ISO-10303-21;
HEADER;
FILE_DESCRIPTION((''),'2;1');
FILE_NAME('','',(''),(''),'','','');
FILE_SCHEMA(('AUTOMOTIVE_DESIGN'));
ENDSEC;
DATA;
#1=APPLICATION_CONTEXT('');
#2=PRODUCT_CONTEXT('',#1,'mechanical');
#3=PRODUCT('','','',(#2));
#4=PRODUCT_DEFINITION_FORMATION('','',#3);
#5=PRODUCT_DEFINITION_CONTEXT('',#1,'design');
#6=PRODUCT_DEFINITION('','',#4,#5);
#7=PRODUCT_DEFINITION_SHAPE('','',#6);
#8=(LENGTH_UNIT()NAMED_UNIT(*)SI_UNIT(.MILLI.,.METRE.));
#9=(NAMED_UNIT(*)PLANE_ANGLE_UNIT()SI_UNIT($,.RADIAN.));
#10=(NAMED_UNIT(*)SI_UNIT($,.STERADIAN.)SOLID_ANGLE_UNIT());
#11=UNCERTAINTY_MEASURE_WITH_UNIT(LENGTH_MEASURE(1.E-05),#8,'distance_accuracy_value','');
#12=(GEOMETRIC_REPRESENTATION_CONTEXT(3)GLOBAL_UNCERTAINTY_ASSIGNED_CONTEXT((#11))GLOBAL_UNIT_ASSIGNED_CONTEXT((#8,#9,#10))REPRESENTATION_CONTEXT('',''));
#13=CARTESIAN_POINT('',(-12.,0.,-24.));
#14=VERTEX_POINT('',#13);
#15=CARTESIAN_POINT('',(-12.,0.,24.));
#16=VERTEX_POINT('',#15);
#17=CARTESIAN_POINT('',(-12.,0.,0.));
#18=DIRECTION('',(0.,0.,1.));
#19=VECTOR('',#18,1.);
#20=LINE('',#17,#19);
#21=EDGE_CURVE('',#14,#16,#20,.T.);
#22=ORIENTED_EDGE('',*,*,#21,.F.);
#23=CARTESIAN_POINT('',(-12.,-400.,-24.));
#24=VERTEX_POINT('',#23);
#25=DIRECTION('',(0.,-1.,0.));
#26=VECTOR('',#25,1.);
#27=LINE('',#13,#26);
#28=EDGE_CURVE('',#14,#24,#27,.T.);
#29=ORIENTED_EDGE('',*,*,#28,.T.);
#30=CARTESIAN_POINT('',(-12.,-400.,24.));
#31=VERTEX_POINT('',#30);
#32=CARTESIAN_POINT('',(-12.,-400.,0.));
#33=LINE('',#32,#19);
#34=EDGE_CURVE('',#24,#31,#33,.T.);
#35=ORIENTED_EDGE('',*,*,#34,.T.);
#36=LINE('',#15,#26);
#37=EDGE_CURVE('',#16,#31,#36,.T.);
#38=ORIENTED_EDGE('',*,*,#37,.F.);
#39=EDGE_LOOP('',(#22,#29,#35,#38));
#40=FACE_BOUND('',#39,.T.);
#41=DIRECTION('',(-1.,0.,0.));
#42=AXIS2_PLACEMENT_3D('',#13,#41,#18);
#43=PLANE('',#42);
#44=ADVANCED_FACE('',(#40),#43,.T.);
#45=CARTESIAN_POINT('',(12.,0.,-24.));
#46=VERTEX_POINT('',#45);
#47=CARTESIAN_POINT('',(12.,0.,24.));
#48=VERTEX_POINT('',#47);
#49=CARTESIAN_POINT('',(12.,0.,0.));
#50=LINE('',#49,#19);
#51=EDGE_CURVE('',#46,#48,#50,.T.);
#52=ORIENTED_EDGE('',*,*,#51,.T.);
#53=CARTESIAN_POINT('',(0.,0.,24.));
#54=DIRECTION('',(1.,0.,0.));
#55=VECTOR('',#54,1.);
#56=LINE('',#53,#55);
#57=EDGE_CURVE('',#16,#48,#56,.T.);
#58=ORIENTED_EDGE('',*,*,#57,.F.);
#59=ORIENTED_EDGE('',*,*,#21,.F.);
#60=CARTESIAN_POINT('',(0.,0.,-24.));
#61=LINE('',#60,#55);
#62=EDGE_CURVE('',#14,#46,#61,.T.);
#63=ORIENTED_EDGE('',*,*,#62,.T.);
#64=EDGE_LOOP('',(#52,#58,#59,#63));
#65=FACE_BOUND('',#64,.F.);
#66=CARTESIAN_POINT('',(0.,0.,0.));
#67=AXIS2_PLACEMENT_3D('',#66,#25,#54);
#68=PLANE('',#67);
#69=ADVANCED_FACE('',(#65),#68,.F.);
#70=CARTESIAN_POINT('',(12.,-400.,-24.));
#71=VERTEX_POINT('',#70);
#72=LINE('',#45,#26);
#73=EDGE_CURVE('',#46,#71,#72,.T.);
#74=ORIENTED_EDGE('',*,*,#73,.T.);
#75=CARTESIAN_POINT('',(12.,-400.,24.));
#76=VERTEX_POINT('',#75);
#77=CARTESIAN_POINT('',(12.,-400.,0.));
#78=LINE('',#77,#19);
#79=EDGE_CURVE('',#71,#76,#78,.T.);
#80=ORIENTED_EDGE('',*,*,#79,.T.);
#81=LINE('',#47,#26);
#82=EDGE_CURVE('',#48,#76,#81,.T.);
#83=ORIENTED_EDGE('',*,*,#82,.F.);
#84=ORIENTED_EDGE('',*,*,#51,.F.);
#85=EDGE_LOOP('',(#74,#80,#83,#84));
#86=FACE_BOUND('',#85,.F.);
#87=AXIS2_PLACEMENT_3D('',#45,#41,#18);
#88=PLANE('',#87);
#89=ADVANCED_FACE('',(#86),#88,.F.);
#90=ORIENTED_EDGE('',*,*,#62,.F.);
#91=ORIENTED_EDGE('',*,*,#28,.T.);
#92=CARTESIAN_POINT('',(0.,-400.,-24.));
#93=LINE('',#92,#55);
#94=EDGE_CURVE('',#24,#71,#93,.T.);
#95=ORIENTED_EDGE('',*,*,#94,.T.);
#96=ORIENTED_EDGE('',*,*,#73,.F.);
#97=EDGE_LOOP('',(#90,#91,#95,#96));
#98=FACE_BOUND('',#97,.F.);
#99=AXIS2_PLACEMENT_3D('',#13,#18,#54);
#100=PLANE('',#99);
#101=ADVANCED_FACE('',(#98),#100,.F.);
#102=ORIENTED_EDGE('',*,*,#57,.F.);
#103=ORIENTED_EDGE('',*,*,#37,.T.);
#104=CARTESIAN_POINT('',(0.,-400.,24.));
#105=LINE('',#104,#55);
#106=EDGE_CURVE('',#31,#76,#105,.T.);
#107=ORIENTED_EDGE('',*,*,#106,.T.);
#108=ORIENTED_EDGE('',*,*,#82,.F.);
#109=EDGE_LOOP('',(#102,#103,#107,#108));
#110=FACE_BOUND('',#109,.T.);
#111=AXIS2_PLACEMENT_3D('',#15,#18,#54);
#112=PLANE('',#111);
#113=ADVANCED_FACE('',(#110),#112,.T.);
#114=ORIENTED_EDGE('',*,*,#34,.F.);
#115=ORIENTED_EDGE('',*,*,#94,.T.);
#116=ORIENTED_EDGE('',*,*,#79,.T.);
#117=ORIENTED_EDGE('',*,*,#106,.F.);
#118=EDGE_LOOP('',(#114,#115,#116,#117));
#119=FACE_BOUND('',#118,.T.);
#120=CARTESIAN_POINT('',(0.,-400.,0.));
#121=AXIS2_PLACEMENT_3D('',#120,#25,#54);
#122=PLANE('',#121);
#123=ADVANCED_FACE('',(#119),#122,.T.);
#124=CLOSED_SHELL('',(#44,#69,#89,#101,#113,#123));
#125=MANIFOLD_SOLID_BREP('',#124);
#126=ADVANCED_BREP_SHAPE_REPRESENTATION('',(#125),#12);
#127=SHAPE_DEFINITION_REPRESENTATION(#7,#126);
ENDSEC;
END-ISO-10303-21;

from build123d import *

# Parameters (mm, degrees)
F1_W     = 24
F1_H     = 48
F2_DEPTH = 400


with BuildPart() as f2:
    # F1 (on Front) → F2 (new body)
    with BuildSketch(Plane.XZ):
        Rectangle(F1_W, F1_H)
    extrude(amount=F2_DEPTH)


solid = f2.part
